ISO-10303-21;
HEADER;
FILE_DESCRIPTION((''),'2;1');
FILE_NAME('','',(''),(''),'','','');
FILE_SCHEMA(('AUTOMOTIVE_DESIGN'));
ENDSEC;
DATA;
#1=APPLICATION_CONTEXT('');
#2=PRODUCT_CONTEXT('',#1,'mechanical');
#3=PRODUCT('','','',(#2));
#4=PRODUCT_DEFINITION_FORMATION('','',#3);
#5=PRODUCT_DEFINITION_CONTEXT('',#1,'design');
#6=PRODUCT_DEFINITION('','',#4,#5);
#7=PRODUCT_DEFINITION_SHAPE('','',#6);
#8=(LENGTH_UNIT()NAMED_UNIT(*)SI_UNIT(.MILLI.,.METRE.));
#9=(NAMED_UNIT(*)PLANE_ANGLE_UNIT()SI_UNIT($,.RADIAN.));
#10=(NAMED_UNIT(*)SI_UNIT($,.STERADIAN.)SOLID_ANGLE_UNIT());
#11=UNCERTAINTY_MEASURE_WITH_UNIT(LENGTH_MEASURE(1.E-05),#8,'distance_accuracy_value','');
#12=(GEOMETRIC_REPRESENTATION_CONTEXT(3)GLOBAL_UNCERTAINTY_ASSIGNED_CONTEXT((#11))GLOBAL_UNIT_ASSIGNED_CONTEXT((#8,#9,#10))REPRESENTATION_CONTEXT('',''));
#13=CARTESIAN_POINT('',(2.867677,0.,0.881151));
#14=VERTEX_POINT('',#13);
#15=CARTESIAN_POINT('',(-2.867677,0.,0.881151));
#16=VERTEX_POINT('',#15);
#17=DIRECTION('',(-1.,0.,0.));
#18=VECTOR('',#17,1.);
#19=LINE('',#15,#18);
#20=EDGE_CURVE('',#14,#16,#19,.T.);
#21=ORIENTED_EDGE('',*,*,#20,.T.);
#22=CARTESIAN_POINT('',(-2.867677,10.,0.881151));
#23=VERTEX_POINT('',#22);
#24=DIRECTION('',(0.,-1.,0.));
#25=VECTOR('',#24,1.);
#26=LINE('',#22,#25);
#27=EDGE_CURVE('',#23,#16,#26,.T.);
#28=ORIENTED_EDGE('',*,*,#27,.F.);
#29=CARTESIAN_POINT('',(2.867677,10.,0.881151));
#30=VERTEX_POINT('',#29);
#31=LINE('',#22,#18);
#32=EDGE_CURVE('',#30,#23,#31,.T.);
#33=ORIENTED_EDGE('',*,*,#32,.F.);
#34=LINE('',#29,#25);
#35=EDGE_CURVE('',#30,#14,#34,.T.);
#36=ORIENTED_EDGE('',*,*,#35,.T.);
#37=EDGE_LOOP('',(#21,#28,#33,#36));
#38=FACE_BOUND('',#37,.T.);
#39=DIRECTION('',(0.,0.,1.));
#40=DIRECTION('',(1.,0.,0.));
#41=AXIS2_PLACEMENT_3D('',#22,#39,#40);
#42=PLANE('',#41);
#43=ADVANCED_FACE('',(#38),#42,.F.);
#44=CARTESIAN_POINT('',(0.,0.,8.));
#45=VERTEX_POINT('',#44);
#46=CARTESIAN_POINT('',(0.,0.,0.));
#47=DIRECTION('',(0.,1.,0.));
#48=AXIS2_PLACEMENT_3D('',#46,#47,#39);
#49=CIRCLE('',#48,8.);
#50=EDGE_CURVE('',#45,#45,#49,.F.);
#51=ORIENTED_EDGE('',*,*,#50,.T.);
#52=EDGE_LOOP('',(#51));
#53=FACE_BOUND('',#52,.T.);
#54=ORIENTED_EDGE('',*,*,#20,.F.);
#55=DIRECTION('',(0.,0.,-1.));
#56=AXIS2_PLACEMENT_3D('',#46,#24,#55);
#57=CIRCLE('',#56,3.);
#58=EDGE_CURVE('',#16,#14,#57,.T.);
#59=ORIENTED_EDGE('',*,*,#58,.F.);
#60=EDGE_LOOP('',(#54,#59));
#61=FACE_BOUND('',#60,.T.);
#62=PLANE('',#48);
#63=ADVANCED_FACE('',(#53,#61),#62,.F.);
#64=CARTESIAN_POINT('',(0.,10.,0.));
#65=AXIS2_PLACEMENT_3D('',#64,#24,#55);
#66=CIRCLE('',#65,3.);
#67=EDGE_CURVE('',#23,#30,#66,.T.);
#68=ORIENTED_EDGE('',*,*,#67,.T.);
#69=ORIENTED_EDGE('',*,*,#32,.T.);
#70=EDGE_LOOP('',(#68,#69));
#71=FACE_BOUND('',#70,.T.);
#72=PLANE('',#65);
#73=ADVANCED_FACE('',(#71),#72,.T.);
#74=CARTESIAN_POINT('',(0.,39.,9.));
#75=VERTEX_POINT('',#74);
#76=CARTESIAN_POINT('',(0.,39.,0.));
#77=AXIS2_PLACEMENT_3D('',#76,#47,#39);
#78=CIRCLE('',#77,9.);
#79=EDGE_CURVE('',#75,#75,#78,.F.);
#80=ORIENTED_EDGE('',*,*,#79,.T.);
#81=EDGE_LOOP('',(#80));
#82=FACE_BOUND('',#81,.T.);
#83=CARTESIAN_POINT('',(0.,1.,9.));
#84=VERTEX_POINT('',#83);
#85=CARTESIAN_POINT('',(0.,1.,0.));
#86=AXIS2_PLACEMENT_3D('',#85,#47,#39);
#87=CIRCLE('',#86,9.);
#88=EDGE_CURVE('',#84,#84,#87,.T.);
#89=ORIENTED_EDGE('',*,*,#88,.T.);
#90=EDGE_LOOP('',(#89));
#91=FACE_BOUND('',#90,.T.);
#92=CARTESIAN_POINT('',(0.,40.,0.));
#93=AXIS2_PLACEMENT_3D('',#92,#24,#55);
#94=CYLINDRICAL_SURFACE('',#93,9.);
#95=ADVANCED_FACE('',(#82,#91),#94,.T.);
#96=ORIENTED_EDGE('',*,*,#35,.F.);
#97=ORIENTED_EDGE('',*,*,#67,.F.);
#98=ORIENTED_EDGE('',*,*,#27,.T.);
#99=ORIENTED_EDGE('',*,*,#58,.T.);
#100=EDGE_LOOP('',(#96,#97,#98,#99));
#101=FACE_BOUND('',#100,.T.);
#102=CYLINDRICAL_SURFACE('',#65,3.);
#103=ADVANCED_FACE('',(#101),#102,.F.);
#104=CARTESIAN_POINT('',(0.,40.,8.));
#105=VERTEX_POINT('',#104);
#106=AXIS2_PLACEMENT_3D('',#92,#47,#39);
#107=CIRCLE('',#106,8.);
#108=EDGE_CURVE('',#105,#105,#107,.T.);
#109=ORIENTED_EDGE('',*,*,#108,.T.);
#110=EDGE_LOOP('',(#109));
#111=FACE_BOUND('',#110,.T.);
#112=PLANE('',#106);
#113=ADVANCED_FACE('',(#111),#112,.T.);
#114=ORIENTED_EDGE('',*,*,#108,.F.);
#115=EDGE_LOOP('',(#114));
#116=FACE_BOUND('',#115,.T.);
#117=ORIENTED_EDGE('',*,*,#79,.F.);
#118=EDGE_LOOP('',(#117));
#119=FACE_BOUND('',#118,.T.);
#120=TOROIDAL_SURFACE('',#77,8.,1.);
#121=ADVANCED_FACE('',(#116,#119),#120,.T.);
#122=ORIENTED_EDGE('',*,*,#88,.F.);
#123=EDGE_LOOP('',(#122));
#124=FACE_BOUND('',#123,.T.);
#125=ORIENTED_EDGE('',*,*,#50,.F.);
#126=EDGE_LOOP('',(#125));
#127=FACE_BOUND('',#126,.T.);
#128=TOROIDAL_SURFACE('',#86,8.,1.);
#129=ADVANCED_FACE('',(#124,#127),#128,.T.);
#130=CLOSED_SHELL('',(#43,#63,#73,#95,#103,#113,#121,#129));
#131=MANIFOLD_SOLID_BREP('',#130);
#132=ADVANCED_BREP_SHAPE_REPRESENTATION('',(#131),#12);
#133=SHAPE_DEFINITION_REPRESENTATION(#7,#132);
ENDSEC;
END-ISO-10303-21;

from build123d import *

# Parameters (mm, degrees)
SKETCH2_R           = 9
BOSS_EXTRUDE1_DEPTH = 40
CUT_EXTRUDE1_DEPTH  = 10
FILLET1_R           = 1
FILLET2_R           = 1


with BuildPart() as part:
    # Sketch2 → Boss-Extrude1 (new body)
    with BuildSketch(Plane(origin=(0, 0, 0), x_dir=(1, 0, 0), z_dir=(0, 1, 0))):
        with Locations(Location((0, 0, 0), (0, 0, 270))):
            Circle(SKETCH2_R)
    extrude(amount=BOSS_EXTRUDE1_DEPTH)

    # Sketch4 → Cut-Extrude1 (cut)
    with BuildSketch(Plane.XZ):
        with BuildLine():
            Line((-2.867677405, 0.881150554), (2.867677405, 0.881150554))
            ThreePointArc((2.867677405, 0.881150554), (0, -3), (-2.867677405, 0.881150554))
        make_face()
    extrude(amount=-CUT_EXTRUDE1_DEPTH, mode=Mode.SUBTRACT)

    # Fillet1
    fillet1_edges = [part.edges().sort_by_distance(p)[0] for p in [
        (0, 0, -9),
    ]]
    fillet(fillet1_edges, radius=FILLET1_R)

    # Fillet2
    fillet2_edges = [part.edges().sort_by_distance(p)[0] for p in [
        (0, 40, -9),
    ]]
    fillet(fillet2_edges, radius=FILLET2_R)


solid = part.part
